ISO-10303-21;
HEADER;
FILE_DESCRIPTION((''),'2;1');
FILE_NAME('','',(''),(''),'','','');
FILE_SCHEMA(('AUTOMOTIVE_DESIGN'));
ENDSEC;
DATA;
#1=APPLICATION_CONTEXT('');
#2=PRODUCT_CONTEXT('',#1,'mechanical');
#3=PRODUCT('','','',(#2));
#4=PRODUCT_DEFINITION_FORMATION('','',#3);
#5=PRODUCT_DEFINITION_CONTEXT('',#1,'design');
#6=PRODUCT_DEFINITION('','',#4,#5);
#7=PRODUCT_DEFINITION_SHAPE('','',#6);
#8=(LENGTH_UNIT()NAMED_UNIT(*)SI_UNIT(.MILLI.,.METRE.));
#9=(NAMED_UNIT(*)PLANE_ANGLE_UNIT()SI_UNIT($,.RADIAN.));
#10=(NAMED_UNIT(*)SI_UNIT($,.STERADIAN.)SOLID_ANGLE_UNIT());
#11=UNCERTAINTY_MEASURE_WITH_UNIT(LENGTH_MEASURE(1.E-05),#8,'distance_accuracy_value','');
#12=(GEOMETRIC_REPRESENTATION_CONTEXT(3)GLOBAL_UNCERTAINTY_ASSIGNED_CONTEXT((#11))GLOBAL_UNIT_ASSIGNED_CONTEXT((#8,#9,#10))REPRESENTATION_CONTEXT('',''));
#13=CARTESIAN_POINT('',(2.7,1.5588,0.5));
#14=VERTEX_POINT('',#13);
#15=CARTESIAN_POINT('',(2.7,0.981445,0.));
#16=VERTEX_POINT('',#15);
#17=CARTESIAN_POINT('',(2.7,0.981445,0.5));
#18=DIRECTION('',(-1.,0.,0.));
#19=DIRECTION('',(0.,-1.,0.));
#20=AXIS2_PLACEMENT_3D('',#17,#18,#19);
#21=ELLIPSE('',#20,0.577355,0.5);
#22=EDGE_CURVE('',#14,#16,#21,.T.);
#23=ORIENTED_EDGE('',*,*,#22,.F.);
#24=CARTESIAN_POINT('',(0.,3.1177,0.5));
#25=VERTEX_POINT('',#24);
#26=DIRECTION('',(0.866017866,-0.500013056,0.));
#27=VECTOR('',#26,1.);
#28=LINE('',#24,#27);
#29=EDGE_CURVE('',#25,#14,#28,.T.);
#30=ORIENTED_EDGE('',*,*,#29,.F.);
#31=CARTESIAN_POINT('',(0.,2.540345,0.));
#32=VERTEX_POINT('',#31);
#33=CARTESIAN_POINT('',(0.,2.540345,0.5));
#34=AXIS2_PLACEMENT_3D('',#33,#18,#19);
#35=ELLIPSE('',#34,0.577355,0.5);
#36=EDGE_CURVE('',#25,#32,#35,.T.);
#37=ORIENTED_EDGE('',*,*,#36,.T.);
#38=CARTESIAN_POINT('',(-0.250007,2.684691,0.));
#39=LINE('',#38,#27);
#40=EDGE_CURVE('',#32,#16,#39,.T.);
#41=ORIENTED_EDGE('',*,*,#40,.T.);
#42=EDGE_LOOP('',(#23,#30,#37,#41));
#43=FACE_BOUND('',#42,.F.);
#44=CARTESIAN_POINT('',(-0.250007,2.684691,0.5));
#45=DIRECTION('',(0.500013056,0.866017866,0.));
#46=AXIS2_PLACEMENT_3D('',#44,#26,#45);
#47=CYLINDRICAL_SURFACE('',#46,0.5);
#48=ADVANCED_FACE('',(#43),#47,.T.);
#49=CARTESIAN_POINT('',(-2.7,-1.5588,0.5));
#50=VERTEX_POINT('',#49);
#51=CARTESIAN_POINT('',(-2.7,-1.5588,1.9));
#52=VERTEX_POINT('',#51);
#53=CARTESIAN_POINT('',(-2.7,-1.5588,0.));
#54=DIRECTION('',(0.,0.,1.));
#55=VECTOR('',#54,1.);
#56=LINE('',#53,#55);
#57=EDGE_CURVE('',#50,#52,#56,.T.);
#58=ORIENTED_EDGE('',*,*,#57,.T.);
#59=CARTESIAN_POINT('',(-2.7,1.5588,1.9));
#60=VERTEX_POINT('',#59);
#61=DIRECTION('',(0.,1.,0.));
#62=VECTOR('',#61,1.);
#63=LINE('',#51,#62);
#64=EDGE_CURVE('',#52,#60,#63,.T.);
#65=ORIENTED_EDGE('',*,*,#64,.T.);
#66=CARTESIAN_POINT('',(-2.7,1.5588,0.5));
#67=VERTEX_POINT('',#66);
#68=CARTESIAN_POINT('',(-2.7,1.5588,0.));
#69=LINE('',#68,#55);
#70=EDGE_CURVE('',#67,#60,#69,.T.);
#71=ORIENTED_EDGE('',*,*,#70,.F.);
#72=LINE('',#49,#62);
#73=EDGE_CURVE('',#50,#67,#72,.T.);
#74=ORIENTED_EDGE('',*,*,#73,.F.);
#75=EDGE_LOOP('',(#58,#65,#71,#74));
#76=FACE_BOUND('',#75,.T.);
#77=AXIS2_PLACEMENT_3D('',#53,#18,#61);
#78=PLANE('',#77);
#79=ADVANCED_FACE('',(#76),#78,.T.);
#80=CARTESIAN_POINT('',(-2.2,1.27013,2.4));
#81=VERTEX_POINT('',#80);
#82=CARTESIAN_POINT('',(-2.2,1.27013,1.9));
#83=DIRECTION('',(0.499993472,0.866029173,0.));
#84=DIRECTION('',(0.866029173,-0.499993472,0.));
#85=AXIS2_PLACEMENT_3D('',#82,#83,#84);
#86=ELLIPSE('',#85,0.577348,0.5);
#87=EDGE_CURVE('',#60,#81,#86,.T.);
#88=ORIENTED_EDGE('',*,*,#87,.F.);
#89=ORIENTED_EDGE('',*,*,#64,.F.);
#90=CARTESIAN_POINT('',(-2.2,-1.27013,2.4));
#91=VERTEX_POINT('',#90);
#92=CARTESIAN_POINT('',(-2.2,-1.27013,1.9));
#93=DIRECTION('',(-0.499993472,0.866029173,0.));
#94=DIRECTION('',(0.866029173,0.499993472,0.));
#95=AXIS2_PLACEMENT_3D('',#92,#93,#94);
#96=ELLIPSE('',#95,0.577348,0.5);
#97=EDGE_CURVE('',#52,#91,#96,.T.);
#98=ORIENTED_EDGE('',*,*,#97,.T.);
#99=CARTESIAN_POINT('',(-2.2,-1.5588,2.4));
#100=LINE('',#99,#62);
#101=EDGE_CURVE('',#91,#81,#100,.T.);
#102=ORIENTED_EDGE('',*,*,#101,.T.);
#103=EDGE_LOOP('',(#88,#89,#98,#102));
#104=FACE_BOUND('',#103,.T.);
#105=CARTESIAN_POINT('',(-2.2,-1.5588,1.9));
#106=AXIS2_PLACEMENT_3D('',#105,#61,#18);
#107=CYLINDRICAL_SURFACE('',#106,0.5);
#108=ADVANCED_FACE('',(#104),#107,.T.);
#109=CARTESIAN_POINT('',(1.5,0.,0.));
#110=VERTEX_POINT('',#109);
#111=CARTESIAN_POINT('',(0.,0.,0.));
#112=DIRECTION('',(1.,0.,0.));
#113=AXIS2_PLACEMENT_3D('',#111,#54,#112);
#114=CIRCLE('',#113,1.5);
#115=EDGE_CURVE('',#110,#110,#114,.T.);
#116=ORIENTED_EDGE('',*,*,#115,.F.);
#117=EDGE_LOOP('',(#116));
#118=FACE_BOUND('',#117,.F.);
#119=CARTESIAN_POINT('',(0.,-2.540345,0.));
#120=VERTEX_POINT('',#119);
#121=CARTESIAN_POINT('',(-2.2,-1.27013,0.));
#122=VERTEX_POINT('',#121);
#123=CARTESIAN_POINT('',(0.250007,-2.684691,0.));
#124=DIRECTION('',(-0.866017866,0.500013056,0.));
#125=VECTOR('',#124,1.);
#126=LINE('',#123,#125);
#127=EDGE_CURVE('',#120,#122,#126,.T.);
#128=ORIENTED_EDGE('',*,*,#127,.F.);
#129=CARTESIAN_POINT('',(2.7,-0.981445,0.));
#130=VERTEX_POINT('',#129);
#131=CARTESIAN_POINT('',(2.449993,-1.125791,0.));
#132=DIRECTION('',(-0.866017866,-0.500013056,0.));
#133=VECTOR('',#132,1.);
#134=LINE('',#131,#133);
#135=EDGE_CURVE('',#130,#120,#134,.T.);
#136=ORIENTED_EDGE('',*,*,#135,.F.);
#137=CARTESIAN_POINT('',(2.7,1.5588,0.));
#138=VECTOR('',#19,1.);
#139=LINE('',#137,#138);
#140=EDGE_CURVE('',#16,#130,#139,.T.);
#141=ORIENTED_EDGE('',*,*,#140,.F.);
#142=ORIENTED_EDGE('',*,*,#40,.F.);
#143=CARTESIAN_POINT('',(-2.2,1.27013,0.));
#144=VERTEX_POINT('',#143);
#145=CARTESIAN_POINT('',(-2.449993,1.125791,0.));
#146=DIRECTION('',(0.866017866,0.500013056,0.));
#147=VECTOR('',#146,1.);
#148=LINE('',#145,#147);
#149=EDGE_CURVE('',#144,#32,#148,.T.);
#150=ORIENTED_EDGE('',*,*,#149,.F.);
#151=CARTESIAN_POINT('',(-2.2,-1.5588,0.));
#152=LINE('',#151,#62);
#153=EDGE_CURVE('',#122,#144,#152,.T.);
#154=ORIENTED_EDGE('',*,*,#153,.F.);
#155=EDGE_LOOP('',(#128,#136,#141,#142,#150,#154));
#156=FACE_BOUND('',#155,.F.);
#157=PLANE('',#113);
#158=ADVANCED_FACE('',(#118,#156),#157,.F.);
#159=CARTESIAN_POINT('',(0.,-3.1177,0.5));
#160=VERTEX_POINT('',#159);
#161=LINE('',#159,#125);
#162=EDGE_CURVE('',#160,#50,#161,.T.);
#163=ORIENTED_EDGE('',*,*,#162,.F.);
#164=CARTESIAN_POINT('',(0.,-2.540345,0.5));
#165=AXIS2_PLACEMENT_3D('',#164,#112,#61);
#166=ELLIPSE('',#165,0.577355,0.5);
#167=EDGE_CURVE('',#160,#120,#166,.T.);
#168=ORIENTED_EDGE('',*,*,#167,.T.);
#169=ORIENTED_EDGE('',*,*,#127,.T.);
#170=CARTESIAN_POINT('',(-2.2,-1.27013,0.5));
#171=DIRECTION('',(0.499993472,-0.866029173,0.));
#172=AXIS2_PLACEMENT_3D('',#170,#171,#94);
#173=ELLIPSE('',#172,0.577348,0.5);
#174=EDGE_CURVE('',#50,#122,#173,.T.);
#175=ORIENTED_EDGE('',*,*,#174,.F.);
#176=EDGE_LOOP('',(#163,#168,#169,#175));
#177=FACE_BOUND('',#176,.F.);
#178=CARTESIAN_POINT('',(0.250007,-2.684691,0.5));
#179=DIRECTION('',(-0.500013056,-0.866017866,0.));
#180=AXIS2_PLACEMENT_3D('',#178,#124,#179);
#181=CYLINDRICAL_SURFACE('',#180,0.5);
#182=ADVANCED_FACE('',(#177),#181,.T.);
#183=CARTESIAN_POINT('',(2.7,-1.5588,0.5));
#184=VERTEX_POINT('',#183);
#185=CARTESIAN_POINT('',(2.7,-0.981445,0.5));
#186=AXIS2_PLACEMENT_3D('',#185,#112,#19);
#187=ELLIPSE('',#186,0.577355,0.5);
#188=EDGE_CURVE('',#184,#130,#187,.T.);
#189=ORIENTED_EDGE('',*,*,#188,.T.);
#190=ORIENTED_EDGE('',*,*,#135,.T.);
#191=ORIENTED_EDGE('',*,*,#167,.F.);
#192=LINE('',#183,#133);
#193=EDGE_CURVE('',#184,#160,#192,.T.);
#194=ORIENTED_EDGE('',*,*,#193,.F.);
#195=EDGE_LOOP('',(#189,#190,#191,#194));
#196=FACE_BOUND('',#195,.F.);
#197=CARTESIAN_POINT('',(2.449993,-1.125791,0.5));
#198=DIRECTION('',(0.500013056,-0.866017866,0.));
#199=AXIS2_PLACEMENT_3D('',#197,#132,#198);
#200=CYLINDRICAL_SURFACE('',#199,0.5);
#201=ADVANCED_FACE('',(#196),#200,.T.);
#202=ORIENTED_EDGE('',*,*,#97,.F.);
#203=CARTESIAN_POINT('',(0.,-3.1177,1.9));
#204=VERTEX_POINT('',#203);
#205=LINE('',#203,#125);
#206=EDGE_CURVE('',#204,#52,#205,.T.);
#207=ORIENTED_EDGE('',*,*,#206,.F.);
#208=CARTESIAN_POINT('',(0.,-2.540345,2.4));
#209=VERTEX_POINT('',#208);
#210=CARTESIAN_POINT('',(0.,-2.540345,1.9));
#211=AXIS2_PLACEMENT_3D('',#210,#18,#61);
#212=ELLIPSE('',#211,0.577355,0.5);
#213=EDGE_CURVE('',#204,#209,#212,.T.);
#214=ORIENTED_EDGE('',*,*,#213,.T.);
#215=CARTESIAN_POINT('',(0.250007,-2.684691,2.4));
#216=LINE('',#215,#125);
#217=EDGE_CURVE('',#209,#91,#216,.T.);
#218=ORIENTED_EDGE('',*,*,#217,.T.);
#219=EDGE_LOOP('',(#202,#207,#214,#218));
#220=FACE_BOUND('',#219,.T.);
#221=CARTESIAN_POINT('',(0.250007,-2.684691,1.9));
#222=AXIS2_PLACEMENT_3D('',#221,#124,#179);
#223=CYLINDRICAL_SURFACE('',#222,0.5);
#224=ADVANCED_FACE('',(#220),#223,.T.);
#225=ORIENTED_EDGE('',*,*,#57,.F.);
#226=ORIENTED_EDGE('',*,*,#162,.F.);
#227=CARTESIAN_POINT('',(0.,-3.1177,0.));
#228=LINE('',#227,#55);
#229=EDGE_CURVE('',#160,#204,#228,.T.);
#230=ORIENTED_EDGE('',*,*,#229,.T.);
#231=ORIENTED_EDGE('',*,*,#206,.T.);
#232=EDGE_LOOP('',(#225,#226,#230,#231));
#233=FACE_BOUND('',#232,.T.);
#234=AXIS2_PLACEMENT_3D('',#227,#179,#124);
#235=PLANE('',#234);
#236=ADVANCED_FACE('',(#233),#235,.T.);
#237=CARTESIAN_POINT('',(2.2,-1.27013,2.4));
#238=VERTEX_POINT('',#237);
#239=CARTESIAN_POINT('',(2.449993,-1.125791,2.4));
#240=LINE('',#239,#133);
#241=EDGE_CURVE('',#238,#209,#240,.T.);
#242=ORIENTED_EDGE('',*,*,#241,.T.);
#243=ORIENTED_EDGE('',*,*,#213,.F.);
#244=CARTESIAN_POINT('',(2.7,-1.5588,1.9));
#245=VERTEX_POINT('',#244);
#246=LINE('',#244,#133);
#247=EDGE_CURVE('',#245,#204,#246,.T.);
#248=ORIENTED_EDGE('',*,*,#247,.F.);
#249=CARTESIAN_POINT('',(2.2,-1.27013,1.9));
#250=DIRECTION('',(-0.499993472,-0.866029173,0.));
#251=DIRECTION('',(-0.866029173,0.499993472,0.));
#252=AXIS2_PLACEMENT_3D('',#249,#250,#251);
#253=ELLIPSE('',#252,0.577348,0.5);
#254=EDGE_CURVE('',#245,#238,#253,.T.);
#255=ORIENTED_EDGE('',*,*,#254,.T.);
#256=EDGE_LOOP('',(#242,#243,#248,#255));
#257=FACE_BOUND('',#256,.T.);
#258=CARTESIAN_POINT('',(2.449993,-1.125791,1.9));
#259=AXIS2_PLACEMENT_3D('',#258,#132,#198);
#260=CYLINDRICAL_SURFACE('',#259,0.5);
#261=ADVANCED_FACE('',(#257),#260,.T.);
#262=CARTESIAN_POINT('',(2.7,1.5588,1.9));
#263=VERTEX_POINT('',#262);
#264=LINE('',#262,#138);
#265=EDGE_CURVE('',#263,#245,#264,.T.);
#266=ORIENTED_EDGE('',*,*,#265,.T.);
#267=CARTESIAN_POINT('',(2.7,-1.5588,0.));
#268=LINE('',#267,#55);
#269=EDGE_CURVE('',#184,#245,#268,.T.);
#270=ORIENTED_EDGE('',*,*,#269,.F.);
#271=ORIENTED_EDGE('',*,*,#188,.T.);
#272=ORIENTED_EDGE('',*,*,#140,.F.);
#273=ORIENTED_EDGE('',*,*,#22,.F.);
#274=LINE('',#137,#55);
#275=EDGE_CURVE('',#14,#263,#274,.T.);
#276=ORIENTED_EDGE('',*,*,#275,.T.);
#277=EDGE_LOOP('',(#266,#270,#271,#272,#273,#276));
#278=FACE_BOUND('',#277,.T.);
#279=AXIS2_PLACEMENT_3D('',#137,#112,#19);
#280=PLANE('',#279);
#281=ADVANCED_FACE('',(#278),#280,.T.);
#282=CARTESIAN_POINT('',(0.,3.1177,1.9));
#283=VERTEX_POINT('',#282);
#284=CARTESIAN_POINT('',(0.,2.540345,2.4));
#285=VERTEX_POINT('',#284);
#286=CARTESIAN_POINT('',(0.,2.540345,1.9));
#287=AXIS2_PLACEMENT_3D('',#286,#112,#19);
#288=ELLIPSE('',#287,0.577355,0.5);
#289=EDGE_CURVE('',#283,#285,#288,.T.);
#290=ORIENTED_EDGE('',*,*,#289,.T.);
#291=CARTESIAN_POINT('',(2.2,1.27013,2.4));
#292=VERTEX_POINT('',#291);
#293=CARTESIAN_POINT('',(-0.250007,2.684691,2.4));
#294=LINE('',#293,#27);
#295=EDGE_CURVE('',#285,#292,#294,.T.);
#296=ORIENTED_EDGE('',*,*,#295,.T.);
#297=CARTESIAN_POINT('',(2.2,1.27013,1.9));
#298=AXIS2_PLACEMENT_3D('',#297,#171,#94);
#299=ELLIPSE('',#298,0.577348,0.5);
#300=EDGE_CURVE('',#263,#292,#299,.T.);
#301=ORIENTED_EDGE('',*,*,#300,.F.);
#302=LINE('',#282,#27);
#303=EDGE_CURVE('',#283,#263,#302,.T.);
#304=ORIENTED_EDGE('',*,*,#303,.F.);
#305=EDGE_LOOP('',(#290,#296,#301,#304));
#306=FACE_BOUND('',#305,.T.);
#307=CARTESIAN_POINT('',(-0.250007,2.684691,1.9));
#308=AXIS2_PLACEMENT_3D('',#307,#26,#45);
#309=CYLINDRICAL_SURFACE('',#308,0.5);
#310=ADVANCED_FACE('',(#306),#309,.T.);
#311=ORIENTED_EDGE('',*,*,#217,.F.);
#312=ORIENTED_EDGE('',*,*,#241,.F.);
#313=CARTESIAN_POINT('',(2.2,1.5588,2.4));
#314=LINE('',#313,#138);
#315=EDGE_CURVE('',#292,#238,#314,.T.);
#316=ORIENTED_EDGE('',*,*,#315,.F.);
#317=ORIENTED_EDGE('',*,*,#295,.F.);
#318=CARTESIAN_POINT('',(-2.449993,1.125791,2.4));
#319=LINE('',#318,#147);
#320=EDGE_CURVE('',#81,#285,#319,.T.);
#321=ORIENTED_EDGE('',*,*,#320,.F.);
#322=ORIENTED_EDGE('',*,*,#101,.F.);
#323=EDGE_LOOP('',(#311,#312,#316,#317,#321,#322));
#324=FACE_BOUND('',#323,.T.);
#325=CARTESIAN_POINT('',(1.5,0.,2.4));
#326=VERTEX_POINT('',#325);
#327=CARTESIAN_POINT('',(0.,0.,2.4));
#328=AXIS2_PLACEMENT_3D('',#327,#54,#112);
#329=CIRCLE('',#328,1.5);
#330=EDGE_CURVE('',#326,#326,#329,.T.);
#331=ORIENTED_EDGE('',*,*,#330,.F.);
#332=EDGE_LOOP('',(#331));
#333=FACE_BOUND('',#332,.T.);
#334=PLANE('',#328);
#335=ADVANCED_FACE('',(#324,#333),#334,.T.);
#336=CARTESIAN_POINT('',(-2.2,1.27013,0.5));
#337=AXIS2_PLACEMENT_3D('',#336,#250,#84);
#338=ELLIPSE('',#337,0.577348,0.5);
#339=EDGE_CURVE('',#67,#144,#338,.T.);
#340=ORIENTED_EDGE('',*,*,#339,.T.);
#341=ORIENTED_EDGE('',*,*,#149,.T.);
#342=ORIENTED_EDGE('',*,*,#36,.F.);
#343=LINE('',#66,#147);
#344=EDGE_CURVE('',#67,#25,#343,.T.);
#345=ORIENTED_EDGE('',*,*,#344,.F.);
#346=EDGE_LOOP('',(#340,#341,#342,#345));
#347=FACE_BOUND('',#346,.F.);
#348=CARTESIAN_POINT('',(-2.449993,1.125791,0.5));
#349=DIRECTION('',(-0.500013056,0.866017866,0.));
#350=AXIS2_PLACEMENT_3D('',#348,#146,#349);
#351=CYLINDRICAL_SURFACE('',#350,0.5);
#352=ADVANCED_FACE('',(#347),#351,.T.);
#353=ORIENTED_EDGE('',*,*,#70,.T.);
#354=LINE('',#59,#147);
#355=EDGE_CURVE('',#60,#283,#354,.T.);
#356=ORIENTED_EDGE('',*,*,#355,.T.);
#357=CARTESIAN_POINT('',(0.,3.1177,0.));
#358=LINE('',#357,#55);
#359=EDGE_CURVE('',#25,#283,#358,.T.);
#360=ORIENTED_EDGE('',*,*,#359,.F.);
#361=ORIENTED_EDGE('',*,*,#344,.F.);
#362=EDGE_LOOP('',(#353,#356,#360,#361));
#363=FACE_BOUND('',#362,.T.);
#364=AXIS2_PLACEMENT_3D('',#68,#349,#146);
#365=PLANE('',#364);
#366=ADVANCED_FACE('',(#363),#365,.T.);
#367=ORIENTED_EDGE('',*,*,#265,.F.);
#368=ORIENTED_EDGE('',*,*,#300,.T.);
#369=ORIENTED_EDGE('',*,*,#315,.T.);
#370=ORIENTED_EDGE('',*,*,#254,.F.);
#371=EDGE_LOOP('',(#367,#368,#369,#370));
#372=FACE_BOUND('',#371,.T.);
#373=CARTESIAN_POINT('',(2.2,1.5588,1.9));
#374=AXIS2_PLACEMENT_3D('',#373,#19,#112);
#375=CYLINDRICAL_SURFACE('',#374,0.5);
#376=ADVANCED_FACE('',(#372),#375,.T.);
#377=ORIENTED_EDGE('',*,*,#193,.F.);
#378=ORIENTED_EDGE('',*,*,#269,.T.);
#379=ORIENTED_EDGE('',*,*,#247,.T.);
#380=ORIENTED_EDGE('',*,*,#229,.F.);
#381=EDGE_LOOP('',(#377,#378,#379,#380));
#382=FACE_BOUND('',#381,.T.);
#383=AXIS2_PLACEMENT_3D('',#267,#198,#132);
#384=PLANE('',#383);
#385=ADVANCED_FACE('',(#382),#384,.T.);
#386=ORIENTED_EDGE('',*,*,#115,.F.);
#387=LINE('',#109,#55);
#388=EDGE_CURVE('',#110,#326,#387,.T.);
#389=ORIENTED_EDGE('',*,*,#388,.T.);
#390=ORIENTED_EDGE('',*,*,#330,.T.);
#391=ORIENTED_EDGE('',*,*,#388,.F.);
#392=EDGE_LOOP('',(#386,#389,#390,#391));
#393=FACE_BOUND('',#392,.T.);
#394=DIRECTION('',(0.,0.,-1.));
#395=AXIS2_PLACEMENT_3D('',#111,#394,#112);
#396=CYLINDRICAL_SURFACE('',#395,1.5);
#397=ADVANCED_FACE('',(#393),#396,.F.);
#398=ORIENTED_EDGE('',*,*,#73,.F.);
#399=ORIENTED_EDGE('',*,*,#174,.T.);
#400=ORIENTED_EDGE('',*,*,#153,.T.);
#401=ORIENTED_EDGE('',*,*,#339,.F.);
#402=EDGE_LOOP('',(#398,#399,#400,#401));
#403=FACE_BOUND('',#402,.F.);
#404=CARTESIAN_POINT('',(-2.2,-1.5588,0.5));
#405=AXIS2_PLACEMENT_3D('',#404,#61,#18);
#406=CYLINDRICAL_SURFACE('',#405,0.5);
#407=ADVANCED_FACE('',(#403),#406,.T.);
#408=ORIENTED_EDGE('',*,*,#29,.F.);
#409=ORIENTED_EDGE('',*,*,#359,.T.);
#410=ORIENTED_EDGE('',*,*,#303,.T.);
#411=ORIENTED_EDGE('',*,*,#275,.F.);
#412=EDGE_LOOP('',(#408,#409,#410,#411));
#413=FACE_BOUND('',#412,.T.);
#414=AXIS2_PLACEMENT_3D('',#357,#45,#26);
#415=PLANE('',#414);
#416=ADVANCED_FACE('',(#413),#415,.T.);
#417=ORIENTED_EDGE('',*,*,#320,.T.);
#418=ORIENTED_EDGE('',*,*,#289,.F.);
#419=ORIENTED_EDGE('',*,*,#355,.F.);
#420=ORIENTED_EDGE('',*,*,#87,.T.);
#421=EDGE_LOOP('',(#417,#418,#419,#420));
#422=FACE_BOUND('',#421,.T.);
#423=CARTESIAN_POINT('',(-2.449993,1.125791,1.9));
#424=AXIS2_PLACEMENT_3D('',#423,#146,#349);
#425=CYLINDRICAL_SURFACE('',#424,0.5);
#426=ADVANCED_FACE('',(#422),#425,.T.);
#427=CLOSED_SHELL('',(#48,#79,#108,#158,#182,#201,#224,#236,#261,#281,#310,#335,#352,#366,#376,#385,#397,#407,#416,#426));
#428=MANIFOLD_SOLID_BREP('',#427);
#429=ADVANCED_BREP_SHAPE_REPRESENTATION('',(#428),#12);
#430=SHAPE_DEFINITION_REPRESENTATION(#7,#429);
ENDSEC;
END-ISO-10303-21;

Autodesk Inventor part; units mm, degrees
ref_plane "YZ Plane" through (0, 0, 0) normal (1, 0, 0) x (0, 1, 0)
ref_plane "XZ Plane" through (0, 0, 0) normal (0, 1, 0) x (-1, 0, 0)
ref_plane "XY Plane" through (0, 0, 0) normal (0, 0, 1) x (1, 0, 0)
sketch "Sketch1" plane through (0, 0, 0) normal (0, 0, 1) x (1, 0, 0)
  line L0 (2.7, -1.5588) -> (0, -3.1177)
  line L1 (0, -3.1177) -> (-2.7, -1.5588)
  line L2 (-2.7, -1.5588) -> (-2.7, 1.5588)
  line L3 (-2.7, 1.5588) -> (0, 3.1177)
  line L4 (0, 3.1177) -> (2.7, 1.5588)
  line L5 (2.7, 1.5588) -> (2.7, -1.5588)
  circle A0 centre (0, 0) radius 1.5
  dimension "d0" = 5.4
  dimension "d1" = 1.5
extrude "Extrusion1" add sketch "Sketch1" along normal blind 2.4
thread "Thread1" size "M3x0.5" class "6H" standard "ISO Metric profile" full length
fillet "Fillet1" radius 0.5 11 edges at (1.35, 2.3383, 2.4) (-1.35, 2.3383, 2.4) (-2.7, 0, 2.4) (-1.35, -2.3383, 2.4) (1.35, -2.3383, 2.4) (2.7, 0, 2.4) (1.35, 2.3383, 0) (-1.35, 2.3383, 0) (-2.7, 0, 0) (-1.35, -2.3383, 0) (1.35, -2.3383, 0)
equation "\"d1\" = 0.5 * Machine_Screw_M"
equation "\"Machine_Screw_Head_Radius\" = 2.75"
equation "\"Machine_Screw_Head_Dept\" = 3"
equation "\"Machine_Screw_Hex\" = 2.3"
equation "\"Machine_Screw_Length\" = 8"
equation "\"Machine_Screw_M\" = 3"
properties part number "HexNut_Template"
